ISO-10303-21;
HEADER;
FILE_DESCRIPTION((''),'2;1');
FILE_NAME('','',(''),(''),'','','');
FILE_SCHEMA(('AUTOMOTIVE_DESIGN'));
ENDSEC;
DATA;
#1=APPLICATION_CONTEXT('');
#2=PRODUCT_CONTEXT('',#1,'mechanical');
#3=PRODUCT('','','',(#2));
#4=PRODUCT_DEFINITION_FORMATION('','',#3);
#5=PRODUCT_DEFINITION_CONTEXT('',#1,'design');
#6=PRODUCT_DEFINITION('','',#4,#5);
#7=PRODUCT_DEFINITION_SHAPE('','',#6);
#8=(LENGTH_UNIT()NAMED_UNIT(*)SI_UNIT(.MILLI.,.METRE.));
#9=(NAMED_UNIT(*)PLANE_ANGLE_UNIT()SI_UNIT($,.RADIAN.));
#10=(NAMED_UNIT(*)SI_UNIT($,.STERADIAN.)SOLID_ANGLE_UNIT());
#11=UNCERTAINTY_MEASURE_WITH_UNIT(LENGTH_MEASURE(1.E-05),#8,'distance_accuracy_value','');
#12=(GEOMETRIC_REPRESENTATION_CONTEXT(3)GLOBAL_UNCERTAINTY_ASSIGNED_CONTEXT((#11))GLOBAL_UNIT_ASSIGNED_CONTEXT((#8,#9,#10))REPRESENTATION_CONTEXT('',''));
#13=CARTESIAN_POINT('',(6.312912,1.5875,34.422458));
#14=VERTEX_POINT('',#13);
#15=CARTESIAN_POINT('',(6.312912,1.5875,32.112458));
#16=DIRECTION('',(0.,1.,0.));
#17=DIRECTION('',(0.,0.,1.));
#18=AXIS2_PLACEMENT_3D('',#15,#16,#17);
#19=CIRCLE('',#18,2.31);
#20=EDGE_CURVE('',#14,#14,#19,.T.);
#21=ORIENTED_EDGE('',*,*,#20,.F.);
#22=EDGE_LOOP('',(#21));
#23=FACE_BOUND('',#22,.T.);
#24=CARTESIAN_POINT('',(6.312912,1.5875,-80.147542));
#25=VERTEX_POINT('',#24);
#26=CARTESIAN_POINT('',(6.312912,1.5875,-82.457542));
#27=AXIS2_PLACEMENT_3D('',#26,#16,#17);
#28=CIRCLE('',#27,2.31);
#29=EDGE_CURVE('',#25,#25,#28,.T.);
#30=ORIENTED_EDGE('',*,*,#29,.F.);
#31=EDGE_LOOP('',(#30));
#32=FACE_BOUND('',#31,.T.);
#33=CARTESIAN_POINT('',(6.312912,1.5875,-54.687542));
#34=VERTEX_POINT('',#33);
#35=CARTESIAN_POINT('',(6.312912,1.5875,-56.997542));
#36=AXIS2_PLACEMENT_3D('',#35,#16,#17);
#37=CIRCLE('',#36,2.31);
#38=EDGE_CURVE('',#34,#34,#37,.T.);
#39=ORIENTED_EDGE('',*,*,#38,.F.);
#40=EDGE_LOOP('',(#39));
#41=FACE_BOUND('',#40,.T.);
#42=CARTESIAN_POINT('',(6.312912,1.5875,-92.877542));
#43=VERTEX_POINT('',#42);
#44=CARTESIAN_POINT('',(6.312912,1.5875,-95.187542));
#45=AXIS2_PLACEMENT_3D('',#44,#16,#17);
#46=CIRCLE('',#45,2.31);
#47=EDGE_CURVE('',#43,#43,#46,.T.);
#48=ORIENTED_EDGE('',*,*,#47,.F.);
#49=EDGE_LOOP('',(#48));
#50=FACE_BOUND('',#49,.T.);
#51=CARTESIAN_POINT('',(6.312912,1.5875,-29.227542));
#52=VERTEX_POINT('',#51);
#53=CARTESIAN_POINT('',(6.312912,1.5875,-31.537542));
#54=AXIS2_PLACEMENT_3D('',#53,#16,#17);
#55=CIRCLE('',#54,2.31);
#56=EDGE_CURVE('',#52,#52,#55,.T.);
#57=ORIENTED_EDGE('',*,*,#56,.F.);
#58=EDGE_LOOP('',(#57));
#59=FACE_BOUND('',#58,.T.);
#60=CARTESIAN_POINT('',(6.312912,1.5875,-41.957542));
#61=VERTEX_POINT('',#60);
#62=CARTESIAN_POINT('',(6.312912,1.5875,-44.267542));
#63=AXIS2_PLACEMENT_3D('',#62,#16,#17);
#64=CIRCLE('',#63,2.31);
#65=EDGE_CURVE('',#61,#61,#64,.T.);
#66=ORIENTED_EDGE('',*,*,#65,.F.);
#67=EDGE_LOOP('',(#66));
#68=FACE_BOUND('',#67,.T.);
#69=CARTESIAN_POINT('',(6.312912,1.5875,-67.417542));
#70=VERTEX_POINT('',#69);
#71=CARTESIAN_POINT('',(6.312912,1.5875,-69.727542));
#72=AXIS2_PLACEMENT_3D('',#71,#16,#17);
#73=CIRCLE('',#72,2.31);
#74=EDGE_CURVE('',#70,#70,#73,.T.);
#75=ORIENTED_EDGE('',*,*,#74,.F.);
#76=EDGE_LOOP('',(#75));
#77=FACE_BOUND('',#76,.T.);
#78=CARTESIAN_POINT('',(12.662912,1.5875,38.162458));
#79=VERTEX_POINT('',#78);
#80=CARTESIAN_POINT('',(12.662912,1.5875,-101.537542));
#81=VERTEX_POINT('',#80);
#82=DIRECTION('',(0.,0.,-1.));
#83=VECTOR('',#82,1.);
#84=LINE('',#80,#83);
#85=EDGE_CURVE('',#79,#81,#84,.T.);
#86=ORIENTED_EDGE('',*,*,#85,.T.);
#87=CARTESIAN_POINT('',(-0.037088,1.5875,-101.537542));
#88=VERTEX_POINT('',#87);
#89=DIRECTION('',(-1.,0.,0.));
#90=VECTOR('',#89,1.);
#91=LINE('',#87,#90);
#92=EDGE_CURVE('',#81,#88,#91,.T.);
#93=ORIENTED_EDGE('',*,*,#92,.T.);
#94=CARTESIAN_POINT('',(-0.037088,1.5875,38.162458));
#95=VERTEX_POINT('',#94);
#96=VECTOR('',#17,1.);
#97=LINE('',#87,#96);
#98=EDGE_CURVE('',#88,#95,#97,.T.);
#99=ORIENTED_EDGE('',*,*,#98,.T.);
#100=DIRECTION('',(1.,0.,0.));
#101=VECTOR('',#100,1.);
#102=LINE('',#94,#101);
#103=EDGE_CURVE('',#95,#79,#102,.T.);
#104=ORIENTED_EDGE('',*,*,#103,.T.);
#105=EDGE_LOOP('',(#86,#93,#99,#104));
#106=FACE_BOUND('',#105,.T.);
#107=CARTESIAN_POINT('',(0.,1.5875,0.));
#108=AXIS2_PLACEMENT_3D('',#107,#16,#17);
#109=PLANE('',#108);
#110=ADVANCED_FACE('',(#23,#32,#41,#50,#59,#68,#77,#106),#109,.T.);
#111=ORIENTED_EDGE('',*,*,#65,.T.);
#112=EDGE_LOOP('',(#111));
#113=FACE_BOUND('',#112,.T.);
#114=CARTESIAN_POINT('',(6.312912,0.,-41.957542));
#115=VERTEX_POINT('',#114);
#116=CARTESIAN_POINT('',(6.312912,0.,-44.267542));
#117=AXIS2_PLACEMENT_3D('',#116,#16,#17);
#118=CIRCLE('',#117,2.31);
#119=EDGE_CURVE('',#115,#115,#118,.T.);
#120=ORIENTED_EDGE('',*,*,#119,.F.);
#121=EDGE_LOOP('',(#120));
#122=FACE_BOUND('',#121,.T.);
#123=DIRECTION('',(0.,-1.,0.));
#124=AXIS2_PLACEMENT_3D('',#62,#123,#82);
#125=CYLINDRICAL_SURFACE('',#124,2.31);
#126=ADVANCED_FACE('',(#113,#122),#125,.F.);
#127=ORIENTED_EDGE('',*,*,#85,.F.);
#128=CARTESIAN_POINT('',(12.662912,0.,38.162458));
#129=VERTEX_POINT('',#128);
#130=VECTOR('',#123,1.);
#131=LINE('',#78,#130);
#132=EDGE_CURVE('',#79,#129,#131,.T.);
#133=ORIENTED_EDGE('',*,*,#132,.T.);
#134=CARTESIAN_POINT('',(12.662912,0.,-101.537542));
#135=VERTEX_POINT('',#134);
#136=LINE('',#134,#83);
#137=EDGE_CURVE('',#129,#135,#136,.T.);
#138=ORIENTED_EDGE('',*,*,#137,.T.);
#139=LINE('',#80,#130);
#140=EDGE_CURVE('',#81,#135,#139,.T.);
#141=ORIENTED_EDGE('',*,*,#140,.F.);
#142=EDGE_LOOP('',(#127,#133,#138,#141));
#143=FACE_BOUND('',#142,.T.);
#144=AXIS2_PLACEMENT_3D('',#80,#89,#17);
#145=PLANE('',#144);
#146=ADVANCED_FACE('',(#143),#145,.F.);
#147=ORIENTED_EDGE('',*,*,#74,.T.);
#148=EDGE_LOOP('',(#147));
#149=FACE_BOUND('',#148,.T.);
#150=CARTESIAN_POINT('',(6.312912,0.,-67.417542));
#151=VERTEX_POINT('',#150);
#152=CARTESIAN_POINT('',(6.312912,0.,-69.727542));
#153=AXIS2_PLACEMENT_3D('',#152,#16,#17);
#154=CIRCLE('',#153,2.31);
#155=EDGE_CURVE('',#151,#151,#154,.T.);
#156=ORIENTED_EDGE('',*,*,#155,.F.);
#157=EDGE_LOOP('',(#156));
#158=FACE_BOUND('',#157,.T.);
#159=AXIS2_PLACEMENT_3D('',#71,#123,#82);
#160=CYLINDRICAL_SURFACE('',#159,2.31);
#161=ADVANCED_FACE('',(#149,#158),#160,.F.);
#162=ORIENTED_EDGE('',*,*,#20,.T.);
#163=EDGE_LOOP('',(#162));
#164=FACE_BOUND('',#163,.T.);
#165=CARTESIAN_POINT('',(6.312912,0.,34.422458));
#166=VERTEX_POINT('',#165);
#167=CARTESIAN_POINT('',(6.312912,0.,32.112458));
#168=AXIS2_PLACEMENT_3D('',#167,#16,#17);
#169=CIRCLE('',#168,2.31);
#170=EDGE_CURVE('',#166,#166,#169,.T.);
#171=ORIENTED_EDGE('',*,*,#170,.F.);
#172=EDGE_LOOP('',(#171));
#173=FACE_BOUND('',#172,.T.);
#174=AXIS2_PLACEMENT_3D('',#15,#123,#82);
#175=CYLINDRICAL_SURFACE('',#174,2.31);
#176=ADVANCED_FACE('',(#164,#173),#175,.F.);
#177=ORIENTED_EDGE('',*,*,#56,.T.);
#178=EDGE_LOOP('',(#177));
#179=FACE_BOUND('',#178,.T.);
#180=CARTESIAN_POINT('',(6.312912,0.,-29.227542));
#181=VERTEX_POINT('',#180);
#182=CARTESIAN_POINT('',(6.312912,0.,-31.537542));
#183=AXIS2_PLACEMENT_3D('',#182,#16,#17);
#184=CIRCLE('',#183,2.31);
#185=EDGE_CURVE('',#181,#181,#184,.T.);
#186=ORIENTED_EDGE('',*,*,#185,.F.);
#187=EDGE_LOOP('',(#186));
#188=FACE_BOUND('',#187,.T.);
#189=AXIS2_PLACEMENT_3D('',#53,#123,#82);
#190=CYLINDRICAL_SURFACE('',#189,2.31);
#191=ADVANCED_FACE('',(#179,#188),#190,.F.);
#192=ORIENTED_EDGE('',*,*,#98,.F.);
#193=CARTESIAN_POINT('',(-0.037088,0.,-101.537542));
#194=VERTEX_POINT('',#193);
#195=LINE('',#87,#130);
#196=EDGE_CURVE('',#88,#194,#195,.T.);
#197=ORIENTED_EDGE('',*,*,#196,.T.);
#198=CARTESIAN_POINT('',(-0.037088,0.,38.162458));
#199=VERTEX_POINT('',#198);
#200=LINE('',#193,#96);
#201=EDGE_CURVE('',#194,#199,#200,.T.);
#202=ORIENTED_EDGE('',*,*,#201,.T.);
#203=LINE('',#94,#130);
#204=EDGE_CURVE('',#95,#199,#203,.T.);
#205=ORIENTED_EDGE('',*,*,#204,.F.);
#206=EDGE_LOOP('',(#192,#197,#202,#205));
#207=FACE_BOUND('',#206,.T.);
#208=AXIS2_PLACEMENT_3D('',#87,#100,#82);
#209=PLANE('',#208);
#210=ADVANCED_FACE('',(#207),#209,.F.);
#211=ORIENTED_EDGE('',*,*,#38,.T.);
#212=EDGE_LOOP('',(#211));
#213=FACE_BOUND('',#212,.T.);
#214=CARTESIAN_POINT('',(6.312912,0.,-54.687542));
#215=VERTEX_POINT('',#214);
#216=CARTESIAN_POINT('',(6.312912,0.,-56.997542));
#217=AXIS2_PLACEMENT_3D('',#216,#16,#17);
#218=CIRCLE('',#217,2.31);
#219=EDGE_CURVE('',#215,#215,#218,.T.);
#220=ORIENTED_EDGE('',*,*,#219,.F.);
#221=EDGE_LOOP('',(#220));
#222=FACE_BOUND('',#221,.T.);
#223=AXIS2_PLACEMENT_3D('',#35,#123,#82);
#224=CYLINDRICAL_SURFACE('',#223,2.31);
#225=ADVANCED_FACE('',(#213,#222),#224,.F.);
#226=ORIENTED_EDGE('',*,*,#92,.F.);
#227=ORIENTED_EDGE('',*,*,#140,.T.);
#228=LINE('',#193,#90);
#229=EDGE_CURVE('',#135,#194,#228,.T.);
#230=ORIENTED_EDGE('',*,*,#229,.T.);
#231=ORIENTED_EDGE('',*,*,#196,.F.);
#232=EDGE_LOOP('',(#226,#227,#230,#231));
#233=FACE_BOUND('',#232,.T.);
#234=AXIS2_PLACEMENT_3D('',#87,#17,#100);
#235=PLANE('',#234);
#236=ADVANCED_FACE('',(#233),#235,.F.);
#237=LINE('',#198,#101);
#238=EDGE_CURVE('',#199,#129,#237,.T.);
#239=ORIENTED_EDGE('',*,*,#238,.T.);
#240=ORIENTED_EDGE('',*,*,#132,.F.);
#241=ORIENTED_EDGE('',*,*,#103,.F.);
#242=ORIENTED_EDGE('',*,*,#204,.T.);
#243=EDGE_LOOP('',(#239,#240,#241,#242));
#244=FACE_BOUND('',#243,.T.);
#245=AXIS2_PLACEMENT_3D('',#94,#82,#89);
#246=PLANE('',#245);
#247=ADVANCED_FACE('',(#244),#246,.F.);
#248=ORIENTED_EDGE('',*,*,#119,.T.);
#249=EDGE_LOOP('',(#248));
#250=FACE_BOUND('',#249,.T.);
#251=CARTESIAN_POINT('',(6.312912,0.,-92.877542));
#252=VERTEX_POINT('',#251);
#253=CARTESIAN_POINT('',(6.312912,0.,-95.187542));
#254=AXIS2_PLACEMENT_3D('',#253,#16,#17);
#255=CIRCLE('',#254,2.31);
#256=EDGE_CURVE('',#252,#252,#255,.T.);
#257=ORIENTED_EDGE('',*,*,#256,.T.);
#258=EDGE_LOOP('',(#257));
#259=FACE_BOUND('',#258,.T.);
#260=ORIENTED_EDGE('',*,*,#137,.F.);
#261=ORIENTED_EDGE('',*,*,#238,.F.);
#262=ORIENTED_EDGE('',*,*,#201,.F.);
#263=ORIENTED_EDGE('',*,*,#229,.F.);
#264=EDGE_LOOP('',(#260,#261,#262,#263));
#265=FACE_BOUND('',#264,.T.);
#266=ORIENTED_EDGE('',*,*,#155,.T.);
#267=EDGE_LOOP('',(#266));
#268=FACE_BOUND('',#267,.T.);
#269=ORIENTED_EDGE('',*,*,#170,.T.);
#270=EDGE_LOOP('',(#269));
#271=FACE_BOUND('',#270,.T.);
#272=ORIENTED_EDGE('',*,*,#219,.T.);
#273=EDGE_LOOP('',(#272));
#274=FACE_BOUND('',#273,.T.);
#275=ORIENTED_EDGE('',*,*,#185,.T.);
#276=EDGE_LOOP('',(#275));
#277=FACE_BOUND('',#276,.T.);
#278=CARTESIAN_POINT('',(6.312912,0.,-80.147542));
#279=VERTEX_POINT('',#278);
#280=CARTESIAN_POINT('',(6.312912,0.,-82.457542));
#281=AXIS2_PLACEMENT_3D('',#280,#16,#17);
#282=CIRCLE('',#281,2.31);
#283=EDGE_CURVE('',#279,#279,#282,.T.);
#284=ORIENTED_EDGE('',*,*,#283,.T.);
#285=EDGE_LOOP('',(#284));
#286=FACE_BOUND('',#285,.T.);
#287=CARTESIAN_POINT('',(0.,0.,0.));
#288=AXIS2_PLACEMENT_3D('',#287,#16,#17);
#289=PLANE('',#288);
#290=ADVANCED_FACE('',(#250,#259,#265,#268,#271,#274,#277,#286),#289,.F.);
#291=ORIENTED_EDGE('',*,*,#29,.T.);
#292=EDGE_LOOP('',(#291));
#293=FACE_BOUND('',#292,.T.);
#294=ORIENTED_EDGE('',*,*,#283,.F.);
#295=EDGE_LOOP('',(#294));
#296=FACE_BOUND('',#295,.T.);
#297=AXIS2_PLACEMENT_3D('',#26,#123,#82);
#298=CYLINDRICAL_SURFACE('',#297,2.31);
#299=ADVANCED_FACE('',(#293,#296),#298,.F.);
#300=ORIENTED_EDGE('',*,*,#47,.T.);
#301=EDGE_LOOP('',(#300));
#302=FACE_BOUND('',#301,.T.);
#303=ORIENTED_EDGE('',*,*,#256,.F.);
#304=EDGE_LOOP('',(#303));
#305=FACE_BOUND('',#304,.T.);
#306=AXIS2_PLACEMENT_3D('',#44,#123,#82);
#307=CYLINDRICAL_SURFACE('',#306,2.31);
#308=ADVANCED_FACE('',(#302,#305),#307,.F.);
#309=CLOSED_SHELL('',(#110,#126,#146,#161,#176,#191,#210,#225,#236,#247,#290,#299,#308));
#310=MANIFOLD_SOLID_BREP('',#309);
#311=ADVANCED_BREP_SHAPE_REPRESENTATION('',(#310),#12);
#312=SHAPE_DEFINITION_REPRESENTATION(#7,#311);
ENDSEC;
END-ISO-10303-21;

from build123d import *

# Parameters (mm, degrees)
SKETCH1_W           = 12.7
SKETCH1_H           = 139.7
SKETCH1_R           = 2.31
BOSS_EXTRUDE1_DEPTH = 1.5875


with BuildPart() as part:
    # Sketch1 → Boss-Extrude1 (new body)
    with BuildSketch(Plane(origin=(0, 0, 0), x_dir=(1, 0, 0), z_dir=(0, 1, 0))):
        with Locations((6.312912156, 31.687542426)):
            Rectangle(SKETCH1_W, SKETCH1_H)
        with Locations(Location((6.312912156, 95.187542426, 0), (0, 0, 270))):
            Circle(SKETCH1_R, mode=Mode.SUBTRACT)
        with Locations(Location((6.312912156, 31.537542426, 0), (0, 0, 270))):
            Circle(SKETCH1_R, mode=Mode.SUBTRACT)
        with Locations(Location((6.312912156, -32.112457574, 0), (0, 0, 270))):
            Circle(SKETCH1_R, mode=Mode.SUBTRACT)
        with Locations(Location((6.312912156, 82.457542426, 0), (0, 0, 270))):
            Circle(SKETCH1_R, mode=Mode.SUBTRACT)
        with Locations(Location((6.312912156, 69.727542426, 0), (0, 0, 270))):
            Circle(SKETCH1_R, mode=Mode.SUBTRACT)
        with Locations(Location((6.312912156, 56.997542426, 0), (0, 0, 270))):
            Circle(SKETCH1_R, mode=Mode.SUBTRACT)
        with Locations(Location((6.312912156, 44.267542426, 0), (0, 0, 270))):
            Circle(SKETCH1_R, mode=Mode.SUBTRACT)
    extrude(amount=BOSS_EXTRUDE1_DEPTH)


solid = part.part
